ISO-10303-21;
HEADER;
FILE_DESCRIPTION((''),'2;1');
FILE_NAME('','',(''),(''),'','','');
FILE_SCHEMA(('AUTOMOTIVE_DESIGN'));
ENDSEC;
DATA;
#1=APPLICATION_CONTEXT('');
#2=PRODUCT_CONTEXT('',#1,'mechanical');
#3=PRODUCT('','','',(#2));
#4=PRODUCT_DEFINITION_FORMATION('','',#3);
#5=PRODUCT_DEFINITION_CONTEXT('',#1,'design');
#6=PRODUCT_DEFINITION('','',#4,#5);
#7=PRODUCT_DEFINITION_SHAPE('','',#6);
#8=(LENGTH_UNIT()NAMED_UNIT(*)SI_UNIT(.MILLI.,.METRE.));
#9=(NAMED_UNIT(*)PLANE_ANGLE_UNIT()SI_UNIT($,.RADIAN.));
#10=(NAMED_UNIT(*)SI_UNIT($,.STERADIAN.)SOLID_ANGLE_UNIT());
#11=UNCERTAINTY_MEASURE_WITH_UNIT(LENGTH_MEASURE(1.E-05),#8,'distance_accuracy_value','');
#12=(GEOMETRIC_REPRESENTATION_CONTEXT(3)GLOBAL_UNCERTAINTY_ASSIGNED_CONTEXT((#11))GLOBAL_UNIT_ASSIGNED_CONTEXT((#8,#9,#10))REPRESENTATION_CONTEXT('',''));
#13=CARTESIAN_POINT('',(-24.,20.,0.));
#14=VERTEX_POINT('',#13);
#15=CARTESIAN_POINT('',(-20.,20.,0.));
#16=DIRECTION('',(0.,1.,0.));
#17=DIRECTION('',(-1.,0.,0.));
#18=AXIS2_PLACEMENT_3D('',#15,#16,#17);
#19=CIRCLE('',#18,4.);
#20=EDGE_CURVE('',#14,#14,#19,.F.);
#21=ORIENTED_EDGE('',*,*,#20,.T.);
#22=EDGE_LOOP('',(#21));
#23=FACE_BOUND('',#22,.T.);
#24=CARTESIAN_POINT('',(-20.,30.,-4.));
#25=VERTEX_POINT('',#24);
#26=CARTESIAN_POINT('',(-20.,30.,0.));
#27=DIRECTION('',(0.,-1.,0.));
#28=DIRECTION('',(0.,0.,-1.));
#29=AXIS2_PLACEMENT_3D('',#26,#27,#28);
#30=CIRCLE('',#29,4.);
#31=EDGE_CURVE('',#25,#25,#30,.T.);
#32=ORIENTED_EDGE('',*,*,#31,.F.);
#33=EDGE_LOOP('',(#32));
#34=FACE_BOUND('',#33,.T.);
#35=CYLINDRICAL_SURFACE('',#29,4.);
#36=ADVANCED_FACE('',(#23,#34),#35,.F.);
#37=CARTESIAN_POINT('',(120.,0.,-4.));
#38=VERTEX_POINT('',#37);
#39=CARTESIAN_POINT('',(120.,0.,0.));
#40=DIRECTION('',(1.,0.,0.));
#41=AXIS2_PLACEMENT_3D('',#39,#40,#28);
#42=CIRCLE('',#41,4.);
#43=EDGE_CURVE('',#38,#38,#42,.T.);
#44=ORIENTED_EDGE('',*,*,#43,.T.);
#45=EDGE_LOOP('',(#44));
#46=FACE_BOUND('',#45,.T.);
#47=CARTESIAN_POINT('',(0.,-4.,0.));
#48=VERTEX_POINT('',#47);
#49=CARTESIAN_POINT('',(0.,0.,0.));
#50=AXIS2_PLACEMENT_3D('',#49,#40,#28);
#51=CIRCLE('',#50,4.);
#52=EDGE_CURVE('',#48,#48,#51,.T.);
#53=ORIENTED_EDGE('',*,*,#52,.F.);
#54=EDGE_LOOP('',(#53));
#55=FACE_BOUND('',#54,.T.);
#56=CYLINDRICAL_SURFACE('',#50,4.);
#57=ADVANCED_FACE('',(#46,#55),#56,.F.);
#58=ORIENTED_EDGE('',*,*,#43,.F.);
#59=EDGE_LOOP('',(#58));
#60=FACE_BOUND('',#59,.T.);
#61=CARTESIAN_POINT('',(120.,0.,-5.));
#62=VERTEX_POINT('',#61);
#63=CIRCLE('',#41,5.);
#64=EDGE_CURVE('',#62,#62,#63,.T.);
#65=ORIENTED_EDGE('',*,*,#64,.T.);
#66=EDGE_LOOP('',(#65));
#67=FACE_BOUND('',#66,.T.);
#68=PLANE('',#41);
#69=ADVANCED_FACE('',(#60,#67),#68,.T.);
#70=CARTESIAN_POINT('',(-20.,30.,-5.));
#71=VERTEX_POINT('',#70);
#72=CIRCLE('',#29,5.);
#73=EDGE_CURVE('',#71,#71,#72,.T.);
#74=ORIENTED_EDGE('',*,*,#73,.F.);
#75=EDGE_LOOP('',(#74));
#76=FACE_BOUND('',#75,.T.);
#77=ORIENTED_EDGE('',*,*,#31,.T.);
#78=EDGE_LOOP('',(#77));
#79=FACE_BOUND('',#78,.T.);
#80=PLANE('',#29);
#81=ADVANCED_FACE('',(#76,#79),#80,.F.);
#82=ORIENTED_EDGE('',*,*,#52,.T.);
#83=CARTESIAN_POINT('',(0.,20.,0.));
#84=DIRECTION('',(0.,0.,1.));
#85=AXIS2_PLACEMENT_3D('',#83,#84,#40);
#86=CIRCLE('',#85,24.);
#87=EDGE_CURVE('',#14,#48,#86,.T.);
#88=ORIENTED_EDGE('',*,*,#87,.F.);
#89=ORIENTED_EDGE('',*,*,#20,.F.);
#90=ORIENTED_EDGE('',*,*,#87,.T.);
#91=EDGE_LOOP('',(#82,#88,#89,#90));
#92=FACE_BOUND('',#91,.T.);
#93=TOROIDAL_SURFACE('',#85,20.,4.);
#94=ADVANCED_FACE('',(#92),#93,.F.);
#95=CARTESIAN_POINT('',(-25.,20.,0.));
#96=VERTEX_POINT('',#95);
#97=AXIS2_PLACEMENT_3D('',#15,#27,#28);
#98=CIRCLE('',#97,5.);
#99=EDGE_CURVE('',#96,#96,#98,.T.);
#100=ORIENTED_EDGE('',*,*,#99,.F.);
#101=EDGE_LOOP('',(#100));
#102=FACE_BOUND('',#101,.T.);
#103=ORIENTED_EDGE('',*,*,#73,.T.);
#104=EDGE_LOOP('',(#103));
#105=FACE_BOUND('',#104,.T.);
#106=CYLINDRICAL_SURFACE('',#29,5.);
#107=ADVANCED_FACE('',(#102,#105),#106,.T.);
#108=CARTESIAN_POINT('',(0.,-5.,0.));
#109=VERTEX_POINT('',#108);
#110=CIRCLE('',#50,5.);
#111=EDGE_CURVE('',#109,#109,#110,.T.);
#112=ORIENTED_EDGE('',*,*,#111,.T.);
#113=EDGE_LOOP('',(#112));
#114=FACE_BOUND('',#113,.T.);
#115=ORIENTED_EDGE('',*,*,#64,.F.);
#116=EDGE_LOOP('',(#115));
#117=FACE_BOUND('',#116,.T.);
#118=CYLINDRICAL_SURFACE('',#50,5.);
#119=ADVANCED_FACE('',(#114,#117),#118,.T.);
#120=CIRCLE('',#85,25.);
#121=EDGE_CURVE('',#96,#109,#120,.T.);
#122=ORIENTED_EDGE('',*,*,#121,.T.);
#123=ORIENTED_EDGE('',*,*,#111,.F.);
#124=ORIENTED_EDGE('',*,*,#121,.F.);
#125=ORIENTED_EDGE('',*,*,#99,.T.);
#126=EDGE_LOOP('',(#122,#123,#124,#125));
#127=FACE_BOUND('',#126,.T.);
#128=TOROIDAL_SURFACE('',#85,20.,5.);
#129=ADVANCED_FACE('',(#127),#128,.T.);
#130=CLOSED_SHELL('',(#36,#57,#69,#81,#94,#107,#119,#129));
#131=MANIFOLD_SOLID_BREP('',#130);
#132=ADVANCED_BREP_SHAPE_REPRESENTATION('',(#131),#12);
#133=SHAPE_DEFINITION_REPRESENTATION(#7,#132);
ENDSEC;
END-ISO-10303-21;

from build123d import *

# Parameters (mm, degrees)
SWEEP_THIN1_PROFILE_R   = 5
SWEEP_THIN1_PROFILE_R_2 = 4


with BuildPart() as part:
    # Sweep-Thin1: sweep along a path in Sketch1
    with BuildLine(Plane.XY) as sweep_thin1_path:
        Line((120, 0), (0, 0))
        ThreePointArc((0, 0), (-14.142135624, 5.857864376), (-20, 20))
        Line((-20, 20), (-20, 30))
    # Sweep-Thin1 profile (on start of the path) → Sweep-Thin1 (sweep)
    with BuildSketch(Plane(origin=(120, 0, 0), x_dir=(0, 0, -1), z_dir=(-1, 0, 0))):
        Circle(SWEEP_THIN1_PROFILE_R)
        Circle(SWEEP_THIN1_PROFILE_R_2, mode=Mode.SUBTRACT)
    sweep(path=sweep_thin1_path.line)


solid = part.part
